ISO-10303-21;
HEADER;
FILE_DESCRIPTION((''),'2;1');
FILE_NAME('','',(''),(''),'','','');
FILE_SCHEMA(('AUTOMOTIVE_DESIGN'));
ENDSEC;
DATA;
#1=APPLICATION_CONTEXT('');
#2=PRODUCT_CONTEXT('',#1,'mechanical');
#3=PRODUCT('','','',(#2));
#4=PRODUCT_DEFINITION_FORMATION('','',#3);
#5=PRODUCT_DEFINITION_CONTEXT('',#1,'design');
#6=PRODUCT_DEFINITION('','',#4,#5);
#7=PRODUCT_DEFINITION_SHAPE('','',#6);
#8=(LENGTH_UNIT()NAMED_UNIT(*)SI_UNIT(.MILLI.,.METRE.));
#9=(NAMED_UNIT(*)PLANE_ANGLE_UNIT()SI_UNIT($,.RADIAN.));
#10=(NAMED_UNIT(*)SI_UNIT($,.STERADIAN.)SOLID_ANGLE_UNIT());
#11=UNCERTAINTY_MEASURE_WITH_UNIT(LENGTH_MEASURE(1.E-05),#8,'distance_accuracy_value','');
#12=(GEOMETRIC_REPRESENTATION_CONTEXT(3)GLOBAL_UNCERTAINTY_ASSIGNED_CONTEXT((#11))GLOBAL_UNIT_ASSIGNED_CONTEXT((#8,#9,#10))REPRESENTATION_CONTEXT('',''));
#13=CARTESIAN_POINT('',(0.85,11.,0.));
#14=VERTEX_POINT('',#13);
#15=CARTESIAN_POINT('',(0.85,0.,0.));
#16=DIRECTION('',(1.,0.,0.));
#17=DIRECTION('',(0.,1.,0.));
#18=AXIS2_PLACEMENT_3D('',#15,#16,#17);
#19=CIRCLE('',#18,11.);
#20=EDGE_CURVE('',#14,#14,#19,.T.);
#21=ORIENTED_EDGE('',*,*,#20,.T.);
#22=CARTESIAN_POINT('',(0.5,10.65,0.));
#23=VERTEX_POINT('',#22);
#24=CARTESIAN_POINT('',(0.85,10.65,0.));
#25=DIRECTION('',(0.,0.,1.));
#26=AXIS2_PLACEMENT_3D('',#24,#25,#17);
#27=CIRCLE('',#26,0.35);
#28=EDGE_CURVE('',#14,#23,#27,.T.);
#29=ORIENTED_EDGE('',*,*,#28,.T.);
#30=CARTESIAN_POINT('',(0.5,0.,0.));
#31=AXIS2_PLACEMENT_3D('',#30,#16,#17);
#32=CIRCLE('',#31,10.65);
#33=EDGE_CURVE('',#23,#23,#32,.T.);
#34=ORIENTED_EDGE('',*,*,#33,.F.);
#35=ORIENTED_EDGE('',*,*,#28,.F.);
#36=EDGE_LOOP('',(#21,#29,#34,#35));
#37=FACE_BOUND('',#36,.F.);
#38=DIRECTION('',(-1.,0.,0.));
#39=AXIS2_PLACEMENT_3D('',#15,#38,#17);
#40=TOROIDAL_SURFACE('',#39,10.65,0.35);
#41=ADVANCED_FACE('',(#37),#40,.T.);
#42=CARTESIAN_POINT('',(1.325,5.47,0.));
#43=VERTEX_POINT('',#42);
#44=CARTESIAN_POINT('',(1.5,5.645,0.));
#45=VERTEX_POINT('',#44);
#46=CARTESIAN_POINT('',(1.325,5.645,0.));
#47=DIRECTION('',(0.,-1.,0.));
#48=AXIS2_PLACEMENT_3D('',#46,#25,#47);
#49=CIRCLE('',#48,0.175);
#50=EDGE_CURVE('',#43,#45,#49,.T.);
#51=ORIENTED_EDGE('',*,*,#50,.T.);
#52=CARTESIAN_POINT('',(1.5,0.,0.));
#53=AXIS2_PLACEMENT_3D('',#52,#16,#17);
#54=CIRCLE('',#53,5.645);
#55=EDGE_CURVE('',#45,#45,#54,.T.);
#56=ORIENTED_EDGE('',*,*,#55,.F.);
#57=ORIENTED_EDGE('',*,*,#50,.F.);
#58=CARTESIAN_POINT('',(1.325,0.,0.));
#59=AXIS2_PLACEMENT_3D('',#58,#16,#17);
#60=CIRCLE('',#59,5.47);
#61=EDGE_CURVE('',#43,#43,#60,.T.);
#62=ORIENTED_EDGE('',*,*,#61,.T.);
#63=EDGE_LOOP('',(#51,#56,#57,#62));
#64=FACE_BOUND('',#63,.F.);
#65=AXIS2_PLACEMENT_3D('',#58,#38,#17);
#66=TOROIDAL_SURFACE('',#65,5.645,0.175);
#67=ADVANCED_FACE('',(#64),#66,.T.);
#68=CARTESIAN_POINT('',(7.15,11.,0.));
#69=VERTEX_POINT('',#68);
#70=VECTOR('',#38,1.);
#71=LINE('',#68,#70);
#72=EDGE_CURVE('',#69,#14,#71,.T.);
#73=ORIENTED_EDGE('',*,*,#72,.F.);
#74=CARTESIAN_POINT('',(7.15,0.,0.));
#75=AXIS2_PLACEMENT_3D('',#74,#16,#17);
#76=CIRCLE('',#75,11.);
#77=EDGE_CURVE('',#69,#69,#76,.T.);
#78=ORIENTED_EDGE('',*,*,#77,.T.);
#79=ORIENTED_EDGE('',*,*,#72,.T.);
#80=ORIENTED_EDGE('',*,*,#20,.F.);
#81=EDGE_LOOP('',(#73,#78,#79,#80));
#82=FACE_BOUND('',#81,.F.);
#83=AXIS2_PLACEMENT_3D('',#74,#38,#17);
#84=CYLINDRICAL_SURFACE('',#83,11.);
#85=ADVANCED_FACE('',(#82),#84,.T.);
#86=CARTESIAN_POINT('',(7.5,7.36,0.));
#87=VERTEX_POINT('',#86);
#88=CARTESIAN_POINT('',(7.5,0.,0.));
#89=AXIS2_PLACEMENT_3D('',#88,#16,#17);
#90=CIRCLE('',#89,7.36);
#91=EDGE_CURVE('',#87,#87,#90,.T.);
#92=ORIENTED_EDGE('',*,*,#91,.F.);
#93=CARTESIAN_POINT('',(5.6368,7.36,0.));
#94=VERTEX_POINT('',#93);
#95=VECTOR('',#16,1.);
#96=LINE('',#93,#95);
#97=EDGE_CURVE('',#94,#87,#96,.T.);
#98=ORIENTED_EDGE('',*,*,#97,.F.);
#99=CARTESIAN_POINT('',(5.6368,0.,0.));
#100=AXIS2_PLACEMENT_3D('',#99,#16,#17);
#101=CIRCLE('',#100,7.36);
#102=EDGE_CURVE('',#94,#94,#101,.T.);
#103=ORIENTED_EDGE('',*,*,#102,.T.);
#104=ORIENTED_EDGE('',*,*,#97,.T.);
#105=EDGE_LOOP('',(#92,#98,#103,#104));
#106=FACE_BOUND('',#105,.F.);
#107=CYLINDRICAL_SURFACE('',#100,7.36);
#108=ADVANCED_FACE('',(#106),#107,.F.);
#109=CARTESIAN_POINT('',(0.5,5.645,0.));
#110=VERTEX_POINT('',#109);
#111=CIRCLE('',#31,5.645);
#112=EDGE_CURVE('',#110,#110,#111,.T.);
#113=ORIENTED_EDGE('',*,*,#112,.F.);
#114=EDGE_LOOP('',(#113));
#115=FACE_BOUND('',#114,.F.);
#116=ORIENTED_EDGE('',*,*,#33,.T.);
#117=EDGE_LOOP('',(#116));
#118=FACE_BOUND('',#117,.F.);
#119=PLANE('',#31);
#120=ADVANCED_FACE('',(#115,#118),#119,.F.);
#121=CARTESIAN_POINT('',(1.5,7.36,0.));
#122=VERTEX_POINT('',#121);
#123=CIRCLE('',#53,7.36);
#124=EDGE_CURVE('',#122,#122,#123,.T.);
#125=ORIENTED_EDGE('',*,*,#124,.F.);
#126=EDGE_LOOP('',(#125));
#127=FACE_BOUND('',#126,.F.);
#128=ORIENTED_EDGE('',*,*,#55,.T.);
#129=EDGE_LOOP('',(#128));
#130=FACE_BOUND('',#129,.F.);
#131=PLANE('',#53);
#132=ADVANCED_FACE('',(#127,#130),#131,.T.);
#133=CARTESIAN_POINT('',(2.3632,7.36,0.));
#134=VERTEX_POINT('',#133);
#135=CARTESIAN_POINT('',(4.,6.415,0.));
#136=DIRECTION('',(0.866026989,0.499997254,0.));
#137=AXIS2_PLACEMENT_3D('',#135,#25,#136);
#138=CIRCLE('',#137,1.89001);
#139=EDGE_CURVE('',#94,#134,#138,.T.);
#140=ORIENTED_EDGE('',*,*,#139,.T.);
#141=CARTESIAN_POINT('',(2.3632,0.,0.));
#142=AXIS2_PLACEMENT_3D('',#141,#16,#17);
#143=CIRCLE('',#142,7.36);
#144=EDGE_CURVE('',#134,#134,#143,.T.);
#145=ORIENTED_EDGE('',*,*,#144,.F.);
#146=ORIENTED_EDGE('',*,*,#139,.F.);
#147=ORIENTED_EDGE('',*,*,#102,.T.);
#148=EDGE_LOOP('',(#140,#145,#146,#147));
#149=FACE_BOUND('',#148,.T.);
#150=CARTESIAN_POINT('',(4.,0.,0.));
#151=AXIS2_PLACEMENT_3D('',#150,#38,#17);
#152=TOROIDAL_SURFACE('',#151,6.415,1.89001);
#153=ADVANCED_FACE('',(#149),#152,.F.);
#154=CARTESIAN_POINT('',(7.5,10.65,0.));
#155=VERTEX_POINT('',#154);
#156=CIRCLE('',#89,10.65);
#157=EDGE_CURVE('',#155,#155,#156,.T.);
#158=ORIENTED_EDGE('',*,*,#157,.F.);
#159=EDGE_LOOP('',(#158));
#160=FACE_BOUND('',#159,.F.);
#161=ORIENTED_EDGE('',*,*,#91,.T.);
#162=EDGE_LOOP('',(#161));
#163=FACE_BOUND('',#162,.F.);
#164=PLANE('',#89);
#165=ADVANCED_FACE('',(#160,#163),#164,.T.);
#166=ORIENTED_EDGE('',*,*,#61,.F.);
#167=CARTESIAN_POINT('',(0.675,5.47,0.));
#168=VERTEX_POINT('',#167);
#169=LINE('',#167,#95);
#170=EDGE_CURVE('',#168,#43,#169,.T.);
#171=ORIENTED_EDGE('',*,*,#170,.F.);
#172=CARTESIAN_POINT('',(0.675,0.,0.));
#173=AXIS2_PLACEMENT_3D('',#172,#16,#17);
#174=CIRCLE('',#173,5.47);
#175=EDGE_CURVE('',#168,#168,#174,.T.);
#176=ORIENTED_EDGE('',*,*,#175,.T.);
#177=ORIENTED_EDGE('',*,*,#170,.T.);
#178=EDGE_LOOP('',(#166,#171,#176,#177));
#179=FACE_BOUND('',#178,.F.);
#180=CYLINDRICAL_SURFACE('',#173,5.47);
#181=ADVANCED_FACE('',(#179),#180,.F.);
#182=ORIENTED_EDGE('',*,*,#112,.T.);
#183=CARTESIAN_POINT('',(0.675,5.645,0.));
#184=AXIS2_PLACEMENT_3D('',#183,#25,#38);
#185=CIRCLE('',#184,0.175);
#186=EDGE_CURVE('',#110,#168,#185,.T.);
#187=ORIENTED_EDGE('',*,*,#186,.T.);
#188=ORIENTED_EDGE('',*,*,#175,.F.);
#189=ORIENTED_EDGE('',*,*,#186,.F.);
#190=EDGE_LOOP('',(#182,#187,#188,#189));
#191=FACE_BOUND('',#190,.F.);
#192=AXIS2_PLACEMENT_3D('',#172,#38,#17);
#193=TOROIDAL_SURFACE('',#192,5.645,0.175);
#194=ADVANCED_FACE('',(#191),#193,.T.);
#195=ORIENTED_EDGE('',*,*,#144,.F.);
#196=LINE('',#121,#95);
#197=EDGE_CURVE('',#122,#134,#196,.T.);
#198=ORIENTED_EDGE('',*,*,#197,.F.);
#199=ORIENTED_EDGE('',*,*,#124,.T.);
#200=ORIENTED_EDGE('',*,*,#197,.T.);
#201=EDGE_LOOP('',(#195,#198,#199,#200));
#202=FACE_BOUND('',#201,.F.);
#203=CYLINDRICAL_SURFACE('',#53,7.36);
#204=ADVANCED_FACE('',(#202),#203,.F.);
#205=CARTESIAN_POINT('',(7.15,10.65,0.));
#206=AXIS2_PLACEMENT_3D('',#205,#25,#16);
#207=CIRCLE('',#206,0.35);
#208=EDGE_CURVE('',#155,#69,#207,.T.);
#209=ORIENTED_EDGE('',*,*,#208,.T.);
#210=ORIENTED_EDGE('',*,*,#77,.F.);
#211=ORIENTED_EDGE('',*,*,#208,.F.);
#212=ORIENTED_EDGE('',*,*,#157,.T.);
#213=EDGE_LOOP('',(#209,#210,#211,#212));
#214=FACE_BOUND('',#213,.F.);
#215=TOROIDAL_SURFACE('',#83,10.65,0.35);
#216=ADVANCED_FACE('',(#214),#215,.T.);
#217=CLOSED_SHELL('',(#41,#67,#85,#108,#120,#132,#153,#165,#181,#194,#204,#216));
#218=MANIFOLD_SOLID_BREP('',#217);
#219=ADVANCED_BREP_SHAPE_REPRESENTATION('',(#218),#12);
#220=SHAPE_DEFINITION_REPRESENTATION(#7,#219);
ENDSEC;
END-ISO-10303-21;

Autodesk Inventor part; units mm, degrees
sketch "Sketch_2" plane through (0, 0, 0) normal (0, 0, 1) x (1, 0, 0)
  line L0 (7.15, 0) -> (0.85, 0)
  line L1 (0.5, 10.65) -> (0.5, 5.645)
  arc A0 (0.5, 5.645) -> (0.675, 5.47) centre (0.675, 5.645) ccw
  line L2 (0.675, 5.47) -> (1.325, 5.47)
  arc A1 (1.325, 5.47) -> (1.5, 5.645) centre (1.325, 5.645) ccw
  line L3 (1.5, 5.645) -> (1.5, 7.36)
  line L4 (1.5, 7.36) -> (2.3632, 7.36)
  arc A2 (5.6368, 7.36) -> (2.3632, 7.36) centre (4, 6.415) ccw
  line L5 (5.6368, 7.36) -> (7.5, 7.36)
  line L6 (7.5, 7.36) -> (7.5, 10.65)
  arc A3 (7.5, 10.65) -> (7.15, 11) centre (7.15, 10.65) ccw
  line L7 (7.15, 11) -> (0.85, 11)
  arc A4 (0.85, 11) -> (0.5, 10.65) centre (0.85, 10.65) ccw
revolve "Revolution1" add sketch "Sketch_2" angle 360 about axis through (7.15, 0, 0) along (1, 0, 0)
ref_plane "OR_Cage_XY" through (0, 0, 0) normal (1, 0, 0) x (0, 0, -1)
ref_plane "OR_Cage_YZ" through (0, 0, 0) normal (0, 0, -1) x (0, 1, 0)
ref_plane "OR_Cage_ZX" through (0, 0, 0) normal (0, 1, 0) x (1, 0, 0)
ref_plane "OR_IR_XY" through (0, 0, 0) normal (1, 0, 0) x (0, 0, -1)
ref_plane "OR_IR_YZ" through (0, 0, 0) normal (0, 0, -1) x (0, 1, 0)
ref_plane "OR_IR_ZX" through (0, 0, 0) normal (0, 1, 0) x (1, 0, 0)
ref_plane "OR_ball_1_XY" through (4, 6.415, 0) normal (1, 0, 0) x (0, 0, -1)
ref_plane "OR_ball_1_YZ" through (4, 6.415, 0) normal (0, 0, -1) x (0, 1, 0)
ref_plane "OR_ball_1_ZX" through (4, 6.415, 0) normal (0, 1, 0) x (1, 0, 0)
ref_plane "OR_ball_2_XY" through (4, 1.9823, 6.101) normal (1, 0, 0) x (0, 0, -1)
ref_plane "OR_ball_2_YZ" through (4, 1.9823, 6.101) normal (0, 0, -1) x (0, 1, 0)
ref_plane "OR_ball_2_ZX" through (4, 1.9823, 6.101) normal (0, 1, 0) x (1, 0, 0)
ref_plane "OR_ball_3_XY" through (4, -5.1898, 3.7706) normal (1, 0, 0) x (0, 0, -1)
ref_plane "OR_ball_3_YZ" through (4, -5.1898, 3.7706) normal (0, 0, -1) x (0, 1, 0)
ref_plane "OR_ball_3_ZX" through (4, -5.1898, 3.7706) normal (0, 1, 0) x (1, 0, 0)
ref_plane "OR_ball_4_XY" through (4, -5.1898, -3.7706) normal (1, 0, 0) x (0, 0, -1)
ref_plane "OR_ball_4_YZ" through (4, -5.1898, -3.7706) normal (0, 0, -1) x (0, 1, 0)
ref_plane "OR_ball_4_ZX" through (4, -5.1898, -3.7706) normal (0, 1, 0) x (1, 0, 0)
ref_plane "OR_ball_5_XY" through (4, 1.9823, -6.101) normal (1, 0, 0) x (0, 0, -1)
ref_plane "OR_ball_5_YZ" through (4, 1.9823, -6.101) normal (0, 0, -1) x (0, 1, 0)
ref_plane "OR_ball_5_ZX" through (4, 1.9823, -6.101) normal (0, 1, 0) x (1, 0, 0)
properties part number "040400DR-22-H4W(0_5)3_or_CPY"
